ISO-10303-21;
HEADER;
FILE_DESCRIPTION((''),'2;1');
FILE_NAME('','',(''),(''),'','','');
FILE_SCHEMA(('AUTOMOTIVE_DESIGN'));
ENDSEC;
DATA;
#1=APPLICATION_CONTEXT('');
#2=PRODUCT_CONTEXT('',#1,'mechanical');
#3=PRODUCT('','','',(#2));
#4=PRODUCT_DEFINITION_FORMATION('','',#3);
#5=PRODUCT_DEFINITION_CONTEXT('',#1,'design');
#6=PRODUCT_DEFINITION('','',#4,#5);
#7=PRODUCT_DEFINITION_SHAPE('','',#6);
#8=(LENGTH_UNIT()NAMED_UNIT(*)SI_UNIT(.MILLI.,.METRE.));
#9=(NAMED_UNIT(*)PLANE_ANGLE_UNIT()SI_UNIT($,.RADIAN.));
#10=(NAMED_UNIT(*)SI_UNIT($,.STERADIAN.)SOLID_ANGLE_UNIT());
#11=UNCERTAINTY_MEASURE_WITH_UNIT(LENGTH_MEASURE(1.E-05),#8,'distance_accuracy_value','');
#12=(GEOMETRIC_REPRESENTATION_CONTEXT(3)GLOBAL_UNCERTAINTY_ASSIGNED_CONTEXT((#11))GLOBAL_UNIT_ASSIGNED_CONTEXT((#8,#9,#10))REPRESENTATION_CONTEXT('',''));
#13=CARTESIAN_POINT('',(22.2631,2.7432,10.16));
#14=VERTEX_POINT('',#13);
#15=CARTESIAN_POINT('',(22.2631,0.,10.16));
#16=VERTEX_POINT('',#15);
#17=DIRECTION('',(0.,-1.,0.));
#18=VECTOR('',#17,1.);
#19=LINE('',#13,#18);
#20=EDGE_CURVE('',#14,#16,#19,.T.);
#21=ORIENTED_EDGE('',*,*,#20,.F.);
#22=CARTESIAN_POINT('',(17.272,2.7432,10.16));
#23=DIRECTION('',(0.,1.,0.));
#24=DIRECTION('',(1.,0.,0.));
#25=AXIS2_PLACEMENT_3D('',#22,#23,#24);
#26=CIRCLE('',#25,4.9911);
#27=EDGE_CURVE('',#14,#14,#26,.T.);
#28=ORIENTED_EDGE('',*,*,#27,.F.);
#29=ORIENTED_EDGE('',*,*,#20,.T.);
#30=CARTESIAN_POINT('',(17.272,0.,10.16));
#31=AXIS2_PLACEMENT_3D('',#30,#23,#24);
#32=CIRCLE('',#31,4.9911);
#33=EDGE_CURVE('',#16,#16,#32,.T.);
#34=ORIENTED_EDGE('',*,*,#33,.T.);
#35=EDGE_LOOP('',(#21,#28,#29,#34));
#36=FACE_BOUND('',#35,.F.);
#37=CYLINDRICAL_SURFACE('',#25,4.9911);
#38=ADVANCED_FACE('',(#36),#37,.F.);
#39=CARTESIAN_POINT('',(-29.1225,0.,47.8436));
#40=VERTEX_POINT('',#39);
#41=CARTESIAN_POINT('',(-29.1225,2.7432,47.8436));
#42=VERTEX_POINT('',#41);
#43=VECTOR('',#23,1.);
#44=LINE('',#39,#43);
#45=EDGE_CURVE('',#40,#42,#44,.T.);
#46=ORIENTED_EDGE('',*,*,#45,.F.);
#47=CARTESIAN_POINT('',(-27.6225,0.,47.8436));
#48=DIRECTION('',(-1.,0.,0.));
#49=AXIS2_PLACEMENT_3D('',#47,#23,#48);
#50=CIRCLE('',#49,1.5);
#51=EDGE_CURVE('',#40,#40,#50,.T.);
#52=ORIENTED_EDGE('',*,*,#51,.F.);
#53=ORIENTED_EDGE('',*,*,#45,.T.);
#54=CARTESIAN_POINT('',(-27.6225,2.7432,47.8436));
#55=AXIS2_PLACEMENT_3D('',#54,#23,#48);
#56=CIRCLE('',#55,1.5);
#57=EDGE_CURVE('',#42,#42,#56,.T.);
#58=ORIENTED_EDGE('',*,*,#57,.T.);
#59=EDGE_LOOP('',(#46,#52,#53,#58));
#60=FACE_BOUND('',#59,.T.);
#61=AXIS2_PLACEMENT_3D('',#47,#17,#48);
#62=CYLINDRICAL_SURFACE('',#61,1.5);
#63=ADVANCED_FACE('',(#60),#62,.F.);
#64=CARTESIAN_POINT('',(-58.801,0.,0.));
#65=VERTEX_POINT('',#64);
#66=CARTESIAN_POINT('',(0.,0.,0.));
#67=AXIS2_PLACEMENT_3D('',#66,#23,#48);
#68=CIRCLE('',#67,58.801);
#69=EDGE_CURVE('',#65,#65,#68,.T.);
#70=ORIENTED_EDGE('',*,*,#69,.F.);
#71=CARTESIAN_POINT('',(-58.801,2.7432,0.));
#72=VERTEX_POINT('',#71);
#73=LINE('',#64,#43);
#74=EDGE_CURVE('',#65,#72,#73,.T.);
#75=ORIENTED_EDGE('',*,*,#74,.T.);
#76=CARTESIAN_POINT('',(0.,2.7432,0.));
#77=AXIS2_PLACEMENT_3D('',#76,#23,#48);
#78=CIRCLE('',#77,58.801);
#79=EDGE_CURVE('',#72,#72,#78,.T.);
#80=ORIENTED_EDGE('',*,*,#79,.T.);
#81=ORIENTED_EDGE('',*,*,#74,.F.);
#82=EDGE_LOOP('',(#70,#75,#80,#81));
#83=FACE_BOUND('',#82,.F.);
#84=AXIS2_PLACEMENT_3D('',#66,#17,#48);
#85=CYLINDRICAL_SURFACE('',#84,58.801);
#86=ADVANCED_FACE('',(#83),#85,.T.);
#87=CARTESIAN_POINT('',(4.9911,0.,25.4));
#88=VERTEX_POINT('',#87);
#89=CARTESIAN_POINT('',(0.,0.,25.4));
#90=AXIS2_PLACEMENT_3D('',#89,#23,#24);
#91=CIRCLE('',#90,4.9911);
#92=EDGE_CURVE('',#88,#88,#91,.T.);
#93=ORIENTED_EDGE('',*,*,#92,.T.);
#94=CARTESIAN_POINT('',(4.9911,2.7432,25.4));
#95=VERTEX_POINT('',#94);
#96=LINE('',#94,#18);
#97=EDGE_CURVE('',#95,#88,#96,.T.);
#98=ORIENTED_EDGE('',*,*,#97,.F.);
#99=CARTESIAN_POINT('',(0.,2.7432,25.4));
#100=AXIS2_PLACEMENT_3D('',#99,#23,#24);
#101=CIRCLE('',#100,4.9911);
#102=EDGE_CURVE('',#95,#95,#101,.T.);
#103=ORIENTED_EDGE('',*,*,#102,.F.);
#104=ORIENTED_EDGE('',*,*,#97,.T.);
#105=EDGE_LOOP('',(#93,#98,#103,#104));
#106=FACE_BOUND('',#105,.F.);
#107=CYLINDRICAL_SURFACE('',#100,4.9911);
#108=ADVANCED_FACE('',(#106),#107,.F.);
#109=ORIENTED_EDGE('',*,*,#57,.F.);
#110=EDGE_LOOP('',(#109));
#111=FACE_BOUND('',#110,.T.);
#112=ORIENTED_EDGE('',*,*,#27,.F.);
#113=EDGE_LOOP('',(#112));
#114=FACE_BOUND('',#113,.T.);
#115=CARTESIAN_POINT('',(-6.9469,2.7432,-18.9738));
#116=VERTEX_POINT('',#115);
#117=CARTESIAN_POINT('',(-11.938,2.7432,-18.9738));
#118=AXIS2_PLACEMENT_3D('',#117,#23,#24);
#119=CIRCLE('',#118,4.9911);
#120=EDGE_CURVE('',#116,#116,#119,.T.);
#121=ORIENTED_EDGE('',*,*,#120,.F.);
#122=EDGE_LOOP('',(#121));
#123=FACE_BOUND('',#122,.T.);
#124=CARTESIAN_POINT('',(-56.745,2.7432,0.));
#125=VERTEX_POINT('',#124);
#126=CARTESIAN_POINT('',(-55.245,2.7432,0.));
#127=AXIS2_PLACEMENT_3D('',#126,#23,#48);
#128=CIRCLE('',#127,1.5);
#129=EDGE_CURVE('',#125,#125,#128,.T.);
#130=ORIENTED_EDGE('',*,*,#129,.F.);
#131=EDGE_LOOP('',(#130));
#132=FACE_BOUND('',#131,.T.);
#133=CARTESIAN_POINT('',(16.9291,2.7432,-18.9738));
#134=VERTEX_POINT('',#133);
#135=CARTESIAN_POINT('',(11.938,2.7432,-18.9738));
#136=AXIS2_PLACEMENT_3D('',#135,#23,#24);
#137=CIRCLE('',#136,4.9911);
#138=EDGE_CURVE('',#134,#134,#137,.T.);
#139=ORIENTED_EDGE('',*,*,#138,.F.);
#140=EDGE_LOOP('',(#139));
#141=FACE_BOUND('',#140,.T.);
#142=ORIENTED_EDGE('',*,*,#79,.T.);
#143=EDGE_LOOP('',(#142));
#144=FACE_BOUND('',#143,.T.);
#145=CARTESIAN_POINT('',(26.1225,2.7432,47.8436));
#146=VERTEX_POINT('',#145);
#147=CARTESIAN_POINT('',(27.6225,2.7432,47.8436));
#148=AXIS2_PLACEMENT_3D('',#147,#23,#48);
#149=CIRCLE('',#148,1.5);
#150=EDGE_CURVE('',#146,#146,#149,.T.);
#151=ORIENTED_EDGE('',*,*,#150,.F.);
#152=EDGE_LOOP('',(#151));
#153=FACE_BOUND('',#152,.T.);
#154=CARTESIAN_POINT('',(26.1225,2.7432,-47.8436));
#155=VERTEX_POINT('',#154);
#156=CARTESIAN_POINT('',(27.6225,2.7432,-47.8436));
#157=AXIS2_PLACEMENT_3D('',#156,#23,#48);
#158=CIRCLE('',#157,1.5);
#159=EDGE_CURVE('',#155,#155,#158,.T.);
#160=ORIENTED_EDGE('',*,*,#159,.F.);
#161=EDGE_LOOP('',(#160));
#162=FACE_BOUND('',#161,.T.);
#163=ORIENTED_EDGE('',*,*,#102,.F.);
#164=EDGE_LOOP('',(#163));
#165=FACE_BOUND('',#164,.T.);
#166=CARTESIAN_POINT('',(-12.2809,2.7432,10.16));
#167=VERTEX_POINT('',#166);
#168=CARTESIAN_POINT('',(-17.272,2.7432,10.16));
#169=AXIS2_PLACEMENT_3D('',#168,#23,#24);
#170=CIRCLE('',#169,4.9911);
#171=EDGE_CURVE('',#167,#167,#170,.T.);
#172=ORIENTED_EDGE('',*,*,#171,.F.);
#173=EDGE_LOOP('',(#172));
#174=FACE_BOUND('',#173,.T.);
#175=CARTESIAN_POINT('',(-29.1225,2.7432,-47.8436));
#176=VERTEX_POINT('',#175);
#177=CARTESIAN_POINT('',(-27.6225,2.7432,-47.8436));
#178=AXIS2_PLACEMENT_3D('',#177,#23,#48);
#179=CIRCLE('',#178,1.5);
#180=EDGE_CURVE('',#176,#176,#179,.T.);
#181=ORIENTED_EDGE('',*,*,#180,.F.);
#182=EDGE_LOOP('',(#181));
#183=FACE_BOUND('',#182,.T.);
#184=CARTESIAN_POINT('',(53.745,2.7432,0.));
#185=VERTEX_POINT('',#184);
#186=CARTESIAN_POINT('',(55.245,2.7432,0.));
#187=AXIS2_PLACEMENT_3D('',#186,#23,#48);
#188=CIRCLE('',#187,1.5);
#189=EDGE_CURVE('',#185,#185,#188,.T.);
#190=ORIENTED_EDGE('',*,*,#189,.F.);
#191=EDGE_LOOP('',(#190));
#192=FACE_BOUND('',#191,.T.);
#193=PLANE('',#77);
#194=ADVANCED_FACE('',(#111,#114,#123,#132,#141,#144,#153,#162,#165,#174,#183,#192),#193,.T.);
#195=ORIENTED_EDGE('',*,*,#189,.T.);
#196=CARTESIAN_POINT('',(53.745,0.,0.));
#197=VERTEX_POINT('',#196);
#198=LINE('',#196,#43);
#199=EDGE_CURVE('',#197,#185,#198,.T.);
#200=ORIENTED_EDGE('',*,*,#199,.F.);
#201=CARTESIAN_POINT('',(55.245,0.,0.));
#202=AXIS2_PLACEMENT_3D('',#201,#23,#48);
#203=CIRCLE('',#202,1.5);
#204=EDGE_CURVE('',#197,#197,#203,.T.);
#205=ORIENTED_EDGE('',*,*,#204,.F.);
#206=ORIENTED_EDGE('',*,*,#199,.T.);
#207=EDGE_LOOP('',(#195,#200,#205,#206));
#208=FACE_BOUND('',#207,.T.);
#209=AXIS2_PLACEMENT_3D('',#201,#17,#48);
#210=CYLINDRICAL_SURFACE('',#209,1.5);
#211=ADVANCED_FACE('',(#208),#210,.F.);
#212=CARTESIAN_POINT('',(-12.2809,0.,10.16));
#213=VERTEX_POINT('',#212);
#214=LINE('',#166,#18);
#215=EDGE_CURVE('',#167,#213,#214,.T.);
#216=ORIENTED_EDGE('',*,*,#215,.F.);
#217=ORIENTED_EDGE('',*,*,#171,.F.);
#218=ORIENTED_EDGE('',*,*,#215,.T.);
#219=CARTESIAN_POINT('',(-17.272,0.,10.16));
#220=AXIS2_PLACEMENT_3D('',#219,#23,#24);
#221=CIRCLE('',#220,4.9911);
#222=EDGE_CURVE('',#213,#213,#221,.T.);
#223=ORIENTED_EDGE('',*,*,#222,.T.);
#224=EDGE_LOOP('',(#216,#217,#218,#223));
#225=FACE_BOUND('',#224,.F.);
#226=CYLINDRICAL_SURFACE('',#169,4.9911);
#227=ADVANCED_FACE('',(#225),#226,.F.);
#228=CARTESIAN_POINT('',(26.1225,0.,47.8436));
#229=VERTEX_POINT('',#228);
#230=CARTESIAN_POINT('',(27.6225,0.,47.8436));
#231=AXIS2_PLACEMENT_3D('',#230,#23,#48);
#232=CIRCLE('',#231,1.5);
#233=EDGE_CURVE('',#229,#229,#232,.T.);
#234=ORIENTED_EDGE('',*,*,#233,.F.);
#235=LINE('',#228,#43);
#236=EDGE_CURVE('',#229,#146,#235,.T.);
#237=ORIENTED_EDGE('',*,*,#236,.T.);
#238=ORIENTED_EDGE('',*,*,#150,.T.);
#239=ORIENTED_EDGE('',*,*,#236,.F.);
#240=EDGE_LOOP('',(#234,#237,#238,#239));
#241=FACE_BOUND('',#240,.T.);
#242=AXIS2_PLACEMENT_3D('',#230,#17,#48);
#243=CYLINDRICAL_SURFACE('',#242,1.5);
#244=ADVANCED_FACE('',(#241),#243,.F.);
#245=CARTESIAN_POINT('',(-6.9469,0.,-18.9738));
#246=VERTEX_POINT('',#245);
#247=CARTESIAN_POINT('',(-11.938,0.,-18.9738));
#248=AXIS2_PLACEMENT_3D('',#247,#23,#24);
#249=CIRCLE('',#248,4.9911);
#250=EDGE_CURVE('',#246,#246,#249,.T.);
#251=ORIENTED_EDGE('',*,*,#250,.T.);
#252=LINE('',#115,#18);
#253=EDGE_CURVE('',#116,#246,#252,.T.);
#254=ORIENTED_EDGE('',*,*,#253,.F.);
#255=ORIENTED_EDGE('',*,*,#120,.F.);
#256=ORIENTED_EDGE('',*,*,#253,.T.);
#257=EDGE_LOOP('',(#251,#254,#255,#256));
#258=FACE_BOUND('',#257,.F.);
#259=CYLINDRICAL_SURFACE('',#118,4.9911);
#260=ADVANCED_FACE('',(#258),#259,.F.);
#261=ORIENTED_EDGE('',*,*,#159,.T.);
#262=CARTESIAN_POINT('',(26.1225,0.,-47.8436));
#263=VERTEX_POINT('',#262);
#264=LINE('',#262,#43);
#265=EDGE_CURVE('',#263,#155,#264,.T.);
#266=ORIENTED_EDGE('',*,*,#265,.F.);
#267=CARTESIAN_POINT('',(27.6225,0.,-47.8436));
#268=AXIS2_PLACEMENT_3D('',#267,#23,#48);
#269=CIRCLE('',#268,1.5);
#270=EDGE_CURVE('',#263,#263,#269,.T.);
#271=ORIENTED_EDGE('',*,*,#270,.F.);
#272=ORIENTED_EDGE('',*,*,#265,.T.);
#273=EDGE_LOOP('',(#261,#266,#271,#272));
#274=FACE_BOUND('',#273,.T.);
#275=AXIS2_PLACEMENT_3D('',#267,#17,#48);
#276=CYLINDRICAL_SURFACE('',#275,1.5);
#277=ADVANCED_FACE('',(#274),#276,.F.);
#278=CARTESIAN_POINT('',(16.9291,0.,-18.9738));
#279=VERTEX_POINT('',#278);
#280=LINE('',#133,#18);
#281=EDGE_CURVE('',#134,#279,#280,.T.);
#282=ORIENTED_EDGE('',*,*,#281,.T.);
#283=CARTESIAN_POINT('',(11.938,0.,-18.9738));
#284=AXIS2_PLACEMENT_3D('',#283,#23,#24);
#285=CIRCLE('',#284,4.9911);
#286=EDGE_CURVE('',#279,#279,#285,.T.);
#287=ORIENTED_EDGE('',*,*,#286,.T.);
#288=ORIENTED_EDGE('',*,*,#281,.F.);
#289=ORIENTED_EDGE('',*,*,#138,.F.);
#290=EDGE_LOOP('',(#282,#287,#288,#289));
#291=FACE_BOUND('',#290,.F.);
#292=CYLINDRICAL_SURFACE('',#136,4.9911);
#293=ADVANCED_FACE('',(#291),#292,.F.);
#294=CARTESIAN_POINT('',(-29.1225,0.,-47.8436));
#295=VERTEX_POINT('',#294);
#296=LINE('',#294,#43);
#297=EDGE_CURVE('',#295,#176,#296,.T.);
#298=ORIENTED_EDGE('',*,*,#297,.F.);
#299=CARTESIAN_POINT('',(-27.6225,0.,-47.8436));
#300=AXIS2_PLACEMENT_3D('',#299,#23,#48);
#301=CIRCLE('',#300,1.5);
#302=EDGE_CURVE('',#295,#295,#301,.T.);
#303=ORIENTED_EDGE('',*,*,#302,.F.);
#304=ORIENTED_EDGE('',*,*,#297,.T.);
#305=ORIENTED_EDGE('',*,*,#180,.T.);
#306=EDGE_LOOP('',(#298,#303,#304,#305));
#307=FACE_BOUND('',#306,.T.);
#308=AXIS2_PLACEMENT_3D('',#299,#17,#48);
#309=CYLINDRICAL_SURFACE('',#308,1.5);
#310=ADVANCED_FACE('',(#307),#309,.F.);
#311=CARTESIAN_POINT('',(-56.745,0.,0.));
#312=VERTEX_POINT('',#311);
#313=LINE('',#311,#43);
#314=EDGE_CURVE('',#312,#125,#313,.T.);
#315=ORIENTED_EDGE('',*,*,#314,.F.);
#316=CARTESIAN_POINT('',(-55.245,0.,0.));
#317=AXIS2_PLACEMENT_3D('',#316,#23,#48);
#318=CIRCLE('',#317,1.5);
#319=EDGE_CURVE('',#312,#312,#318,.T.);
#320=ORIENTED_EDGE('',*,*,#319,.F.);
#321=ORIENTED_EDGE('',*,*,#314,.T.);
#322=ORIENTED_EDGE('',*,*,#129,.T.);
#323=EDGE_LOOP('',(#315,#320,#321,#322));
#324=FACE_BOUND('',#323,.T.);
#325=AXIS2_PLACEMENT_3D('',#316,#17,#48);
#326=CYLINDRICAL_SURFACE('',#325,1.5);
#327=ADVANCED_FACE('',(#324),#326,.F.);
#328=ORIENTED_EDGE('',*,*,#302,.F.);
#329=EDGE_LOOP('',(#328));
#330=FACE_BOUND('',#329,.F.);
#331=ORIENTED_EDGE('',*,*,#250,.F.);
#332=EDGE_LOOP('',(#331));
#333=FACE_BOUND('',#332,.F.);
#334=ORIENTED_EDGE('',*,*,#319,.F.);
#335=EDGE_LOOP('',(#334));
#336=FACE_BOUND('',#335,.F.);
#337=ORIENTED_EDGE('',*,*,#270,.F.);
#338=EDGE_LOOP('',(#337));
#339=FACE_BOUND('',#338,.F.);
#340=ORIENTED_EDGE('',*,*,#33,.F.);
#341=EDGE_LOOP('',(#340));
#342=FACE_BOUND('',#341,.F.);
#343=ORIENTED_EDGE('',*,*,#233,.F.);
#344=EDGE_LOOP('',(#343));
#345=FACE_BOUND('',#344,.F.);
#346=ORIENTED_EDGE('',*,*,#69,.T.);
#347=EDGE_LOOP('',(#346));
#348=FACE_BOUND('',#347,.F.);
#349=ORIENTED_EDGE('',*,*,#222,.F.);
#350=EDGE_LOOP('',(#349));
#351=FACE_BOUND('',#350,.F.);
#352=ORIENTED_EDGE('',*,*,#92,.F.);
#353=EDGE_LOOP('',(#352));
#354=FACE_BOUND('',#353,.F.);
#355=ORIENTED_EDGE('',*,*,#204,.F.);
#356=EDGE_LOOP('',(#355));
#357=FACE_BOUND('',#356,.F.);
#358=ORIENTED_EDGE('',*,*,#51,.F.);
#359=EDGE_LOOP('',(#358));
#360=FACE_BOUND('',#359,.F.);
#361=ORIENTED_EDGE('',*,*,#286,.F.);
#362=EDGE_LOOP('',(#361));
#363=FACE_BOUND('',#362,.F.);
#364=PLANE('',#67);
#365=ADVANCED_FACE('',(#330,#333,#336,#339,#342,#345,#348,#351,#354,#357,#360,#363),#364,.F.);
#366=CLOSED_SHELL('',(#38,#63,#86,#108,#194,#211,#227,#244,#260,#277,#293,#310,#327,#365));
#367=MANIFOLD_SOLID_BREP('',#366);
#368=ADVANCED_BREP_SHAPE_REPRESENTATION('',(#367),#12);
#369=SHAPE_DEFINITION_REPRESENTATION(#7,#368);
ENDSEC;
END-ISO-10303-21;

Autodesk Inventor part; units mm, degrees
ref_plane "YZ Plane" through (0, 0, 0) normal (1, 0, 0) x (0, 1, 0)
ref_plane "XZ Plane" through (0, 0, 0) normal (0, 1, 0) x (-1, 0, 0)
ref_plane "XY Plane" through (0, 0, 0) normal (0, 0, 1) x (1, 0, 0)
sketch "Sketch1" plane through (0, 0, 0) normal (0, 1, 0) x (-1, 0, 0)
  circle A0 centre (0, 0) radius 58.801
  circle A1 centre (55.245, 0) radius 1.5
  circle A2 centre (27.6225, 47.8436) radius 1.5
  circle A3 centre (-27.6225, 47.8436) radius 1.5
  circle A4 centre (-55.245, 0) radius 1.5
  circle A5 centre (-27.6225, -47.8436) radius 1.5
  circle A6 centre (27.6225, -47.8436) radius 1.5
  dimension "d0" = 117.602
  dimension "d1" = 3
  dimension "d2" = 55.245
  dimension "d5" = 360
extrude "Extrusion1" add sketch "Sketch1" along normal blind 2.7432
sketch "Sketch2" plane through (0, 2.7432, 0) normal (0, 1, 0) x (1, 0, 0)
  circle A0 centre (11.938, 18.9738) radius 4.9911
  circle A1 centre (-11.938, 18.9738) radius 4.9911
  circle A2 centre (17.272, -10.16) radius 4.9911
  circle A3 centre (-17.272, -10.16) radius 4.9911
  circle A4 centre (0, -25.4) radius 4.9911
  point P0 (0, 0)
  dimension "d9" = 9.9822
  dimension "d10" = 9.9822
  dimension "d11" = 11.938
  dimension "d12" = 11.938
  dimension "d13" = 18.9738
  dimension "d14" = 18.9738
  dimension "d15" = 25.4
  dimension "d16" = 10.16
  dimension "d17" = 10.16
  dimension "d18" = 9.9822
  dimension "d19" = 9.9822
  dimension "d20" = 9.9822
  dimension "d21" = 17.272
  dimension "d22" = 17.272
extrude "Extrusion2" cut sketch "Sketch2" against normal blind 2.7432
equation "\"d14\" = d13"
properties part number "Back Lens"
